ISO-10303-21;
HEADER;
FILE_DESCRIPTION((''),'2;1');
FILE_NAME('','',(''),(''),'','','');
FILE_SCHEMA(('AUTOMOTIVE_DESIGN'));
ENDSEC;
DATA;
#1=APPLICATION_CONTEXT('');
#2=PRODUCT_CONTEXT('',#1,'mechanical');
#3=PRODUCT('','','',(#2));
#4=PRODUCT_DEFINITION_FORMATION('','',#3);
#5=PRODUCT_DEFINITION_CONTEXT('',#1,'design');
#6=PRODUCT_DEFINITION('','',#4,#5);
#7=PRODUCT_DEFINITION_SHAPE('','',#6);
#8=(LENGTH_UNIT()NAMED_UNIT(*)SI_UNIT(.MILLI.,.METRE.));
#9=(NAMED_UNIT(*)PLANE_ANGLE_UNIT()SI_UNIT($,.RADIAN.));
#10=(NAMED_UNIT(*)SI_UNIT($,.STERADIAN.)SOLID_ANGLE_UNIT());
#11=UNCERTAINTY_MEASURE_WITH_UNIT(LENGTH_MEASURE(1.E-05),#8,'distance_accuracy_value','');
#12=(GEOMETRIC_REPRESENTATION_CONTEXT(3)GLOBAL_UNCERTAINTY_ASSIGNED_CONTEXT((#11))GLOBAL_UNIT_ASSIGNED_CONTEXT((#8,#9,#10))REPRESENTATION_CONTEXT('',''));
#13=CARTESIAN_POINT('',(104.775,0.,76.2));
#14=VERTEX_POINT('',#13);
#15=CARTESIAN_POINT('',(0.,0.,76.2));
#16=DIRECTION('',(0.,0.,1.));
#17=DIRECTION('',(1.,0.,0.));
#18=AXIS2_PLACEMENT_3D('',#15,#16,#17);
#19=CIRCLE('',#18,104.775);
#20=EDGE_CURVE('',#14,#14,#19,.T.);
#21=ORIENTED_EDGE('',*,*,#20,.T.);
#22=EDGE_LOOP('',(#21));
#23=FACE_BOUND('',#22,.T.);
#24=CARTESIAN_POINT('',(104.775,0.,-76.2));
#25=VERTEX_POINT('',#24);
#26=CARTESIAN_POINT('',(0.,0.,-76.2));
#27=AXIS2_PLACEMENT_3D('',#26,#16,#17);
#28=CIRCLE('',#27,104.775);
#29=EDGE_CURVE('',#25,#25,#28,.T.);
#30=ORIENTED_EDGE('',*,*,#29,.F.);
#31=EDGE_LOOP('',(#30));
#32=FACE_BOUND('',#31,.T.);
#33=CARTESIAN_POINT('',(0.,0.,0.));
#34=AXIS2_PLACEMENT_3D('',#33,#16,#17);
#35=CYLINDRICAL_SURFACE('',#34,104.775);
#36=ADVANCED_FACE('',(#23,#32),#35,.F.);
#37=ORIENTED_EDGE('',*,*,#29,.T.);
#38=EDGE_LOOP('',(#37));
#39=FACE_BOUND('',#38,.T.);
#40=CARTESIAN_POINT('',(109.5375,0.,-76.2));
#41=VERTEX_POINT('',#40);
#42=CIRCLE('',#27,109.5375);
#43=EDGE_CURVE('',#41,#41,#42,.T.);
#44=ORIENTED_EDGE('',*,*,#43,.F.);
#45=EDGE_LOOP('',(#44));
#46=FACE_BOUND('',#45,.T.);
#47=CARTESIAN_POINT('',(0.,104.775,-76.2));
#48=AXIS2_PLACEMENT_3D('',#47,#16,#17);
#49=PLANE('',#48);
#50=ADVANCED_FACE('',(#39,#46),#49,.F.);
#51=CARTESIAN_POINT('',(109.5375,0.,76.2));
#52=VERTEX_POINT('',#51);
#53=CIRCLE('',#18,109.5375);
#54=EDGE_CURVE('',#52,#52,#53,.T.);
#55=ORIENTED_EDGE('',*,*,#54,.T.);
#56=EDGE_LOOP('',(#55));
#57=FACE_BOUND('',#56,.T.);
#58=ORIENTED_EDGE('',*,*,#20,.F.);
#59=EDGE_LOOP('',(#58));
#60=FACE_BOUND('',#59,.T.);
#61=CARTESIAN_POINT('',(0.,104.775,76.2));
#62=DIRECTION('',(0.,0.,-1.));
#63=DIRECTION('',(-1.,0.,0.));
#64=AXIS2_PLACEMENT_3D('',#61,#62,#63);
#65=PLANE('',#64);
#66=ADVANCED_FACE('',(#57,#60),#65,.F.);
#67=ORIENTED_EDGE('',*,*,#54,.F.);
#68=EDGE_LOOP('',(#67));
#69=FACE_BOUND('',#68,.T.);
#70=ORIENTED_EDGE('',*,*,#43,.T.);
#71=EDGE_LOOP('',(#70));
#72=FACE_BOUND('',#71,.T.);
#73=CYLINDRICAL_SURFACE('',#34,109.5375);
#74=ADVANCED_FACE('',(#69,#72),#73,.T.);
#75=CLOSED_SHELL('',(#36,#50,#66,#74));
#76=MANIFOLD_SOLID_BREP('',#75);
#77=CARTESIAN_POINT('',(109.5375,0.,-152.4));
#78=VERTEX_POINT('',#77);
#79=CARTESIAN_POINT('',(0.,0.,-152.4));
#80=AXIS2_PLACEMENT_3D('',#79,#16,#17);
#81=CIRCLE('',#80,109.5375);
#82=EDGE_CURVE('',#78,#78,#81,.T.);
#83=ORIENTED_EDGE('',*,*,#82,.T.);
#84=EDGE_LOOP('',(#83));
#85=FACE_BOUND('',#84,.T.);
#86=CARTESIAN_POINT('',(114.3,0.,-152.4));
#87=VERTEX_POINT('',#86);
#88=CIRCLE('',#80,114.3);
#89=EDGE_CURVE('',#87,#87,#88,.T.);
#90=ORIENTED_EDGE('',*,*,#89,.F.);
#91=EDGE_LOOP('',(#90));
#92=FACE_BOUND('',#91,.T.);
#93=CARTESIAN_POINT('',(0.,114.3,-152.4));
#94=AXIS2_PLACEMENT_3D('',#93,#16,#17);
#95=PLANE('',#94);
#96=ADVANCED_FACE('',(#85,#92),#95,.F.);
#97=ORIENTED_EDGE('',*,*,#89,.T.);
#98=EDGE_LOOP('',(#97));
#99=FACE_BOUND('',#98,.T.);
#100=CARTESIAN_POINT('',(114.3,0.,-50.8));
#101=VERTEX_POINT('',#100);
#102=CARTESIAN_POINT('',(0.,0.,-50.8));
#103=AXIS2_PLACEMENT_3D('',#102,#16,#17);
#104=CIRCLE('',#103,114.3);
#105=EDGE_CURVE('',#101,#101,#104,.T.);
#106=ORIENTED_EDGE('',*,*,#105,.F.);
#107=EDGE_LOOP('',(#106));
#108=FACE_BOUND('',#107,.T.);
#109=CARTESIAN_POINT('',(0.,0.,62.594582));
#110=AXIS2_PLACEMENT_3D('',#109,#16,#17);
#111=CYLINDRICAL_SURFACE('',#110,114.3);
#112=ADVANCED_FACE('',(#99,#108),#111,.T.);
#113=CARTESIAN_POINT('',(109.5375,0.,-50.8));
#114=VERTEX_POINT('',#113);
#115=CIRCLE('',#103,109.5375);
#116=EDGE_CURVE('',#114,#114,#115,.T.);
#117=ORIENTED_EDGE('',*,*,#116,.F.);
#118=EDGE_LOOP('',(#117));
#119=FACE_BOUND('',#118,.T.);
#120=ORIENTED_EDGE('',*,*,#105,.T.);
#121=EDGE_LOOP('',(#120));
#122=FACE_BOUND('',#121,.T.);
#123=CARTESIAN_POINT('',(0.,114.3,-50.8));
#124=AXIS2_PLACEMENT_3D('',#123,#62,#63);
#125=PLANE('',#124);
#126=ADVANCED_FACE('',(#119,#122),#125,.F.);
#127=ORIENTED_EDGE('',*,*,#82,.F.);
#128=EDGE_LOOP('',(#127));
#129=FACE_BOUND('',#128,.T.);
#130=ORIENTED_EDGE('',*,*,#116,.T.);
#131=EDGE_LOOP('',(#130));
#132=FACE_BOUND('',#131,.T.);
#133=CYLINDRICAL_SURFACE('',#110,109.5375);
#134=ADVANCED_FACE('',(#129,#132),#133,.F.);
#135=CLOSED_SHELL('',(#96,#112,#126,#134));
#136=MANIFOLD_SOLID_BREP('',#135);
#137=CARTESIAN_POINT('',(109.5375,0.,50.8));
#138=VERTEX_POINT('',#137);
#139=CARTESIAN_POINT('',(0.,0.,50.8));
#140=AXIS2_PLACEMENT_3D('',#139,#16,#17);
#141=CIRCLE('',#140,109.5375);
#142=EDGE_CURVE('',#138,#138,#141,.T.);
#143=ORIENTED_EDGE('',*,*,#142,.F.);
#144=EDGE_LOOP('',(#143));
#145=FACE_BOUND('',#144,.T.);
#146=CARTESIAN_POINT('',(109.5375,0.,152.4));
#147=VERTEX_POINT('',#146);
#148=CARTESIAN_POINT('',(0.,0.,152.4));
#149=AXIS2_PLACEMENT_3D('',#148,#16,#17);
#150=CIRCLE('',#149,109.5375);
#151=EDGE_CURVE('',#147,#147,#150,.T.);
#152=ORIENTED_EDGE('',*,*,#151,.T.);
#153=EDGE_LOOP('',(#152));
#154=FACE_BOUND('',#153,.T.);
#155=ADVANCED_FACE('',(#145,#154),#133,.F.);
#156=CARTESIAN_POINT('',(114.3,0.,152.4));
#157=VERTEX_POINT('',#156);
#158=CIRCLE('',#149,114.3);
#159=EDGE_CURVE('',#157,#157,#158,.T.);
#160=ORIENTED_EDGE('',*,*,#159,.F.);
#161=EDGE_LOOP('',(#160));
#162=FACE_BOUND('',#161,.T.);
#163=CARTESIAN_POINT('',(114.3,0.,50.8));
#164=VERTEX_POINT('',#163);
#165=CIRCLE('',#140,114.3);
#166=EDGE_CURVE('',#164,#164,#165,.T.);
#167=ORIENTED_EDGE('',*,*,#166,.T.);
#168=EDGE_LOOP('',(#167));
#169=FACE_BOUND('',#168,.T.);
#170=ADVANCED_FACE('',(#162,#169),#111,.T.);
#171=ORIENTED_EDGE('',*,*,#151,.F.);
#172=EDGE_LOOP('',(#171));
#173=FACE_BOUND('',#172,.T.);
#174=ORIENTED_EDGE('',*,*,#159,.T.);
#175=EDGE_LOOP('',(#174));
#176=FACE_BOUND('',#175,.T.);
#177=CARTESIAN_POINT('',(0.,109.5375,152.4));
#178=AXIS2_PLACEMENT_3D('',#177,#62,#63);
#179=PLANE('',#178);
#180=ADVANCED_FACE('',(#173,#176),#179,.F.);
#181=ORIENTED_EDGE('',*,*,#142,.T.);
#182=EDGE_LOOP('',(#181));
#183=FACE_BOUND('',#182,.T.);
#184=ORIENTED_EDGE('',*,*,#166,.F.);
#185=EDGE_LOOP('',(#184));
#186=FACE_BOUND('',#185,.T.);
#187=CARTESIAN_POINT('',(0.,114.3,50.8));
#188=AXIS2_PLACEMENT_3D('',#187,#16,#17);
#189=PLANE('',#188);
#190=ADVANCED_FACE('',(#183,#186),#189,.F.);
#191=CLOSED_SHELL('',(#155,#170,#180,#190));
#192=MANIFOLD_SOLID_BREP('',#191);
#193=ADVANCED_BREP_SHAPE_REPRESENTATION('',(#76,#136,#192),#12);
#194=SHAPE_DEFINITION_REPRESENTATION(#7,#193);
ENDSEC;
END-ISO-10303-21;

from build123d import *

# Parameters (mm, degrees)
SKETCH2_W = 101.6
SKETCH2_H = 4.7625
SKETCH3_W = 152.4
SKETCH3_H = 4.7625


with BuildPart() as part:
    # Sketch2 → Revolve1 (revolve)
    with BuildSketch(Plane(origin=(0, 0, 0), x_dir=(0, 0, -1), z_dir=(1, 0, 0)), mode=Mode.PRIVATE) as revolve1_sk:
        with Locations((-101.6, 111.91875)):
            Rectangle(SKETCH2_W, SKETCH2_H)
        with Locations((101.6, 111.91875)):
            Rectangle(SKETCH2_W, SKETCH2_H)
    revolve(revolve1_sk.sketch.rotate(Axis((0, 0, 62.594581749), (0, 0, -1)), 90), axis=Axis((0, 0, 62.594581749), (0, 0, -1)))  # turned: the seam where the file's is


with BuildPart() as body_2:
    # Sketch3 → Revolve2 (revolve)
    with BuildSketch(Plane(origin=(0, 0, 0), x_dir=(0, 0, -1), z_dir=(1, 0, 0)), mode=Mode.PRIVATE) as revolve2_sk:
        with Locations((0, 107.15625)):
            Rectangle(SKETCH3_W, SKETCH3_H)
    revolve(revolve2_sk.sketch.rotate(Axis((0, 0, 0), (0, 0, -1)), 90), axis=Axis((0, 0, 0), (0, 0, -1)))  # turned: the seam where the file's is


solid = Compound([part.part, body_2.part])
